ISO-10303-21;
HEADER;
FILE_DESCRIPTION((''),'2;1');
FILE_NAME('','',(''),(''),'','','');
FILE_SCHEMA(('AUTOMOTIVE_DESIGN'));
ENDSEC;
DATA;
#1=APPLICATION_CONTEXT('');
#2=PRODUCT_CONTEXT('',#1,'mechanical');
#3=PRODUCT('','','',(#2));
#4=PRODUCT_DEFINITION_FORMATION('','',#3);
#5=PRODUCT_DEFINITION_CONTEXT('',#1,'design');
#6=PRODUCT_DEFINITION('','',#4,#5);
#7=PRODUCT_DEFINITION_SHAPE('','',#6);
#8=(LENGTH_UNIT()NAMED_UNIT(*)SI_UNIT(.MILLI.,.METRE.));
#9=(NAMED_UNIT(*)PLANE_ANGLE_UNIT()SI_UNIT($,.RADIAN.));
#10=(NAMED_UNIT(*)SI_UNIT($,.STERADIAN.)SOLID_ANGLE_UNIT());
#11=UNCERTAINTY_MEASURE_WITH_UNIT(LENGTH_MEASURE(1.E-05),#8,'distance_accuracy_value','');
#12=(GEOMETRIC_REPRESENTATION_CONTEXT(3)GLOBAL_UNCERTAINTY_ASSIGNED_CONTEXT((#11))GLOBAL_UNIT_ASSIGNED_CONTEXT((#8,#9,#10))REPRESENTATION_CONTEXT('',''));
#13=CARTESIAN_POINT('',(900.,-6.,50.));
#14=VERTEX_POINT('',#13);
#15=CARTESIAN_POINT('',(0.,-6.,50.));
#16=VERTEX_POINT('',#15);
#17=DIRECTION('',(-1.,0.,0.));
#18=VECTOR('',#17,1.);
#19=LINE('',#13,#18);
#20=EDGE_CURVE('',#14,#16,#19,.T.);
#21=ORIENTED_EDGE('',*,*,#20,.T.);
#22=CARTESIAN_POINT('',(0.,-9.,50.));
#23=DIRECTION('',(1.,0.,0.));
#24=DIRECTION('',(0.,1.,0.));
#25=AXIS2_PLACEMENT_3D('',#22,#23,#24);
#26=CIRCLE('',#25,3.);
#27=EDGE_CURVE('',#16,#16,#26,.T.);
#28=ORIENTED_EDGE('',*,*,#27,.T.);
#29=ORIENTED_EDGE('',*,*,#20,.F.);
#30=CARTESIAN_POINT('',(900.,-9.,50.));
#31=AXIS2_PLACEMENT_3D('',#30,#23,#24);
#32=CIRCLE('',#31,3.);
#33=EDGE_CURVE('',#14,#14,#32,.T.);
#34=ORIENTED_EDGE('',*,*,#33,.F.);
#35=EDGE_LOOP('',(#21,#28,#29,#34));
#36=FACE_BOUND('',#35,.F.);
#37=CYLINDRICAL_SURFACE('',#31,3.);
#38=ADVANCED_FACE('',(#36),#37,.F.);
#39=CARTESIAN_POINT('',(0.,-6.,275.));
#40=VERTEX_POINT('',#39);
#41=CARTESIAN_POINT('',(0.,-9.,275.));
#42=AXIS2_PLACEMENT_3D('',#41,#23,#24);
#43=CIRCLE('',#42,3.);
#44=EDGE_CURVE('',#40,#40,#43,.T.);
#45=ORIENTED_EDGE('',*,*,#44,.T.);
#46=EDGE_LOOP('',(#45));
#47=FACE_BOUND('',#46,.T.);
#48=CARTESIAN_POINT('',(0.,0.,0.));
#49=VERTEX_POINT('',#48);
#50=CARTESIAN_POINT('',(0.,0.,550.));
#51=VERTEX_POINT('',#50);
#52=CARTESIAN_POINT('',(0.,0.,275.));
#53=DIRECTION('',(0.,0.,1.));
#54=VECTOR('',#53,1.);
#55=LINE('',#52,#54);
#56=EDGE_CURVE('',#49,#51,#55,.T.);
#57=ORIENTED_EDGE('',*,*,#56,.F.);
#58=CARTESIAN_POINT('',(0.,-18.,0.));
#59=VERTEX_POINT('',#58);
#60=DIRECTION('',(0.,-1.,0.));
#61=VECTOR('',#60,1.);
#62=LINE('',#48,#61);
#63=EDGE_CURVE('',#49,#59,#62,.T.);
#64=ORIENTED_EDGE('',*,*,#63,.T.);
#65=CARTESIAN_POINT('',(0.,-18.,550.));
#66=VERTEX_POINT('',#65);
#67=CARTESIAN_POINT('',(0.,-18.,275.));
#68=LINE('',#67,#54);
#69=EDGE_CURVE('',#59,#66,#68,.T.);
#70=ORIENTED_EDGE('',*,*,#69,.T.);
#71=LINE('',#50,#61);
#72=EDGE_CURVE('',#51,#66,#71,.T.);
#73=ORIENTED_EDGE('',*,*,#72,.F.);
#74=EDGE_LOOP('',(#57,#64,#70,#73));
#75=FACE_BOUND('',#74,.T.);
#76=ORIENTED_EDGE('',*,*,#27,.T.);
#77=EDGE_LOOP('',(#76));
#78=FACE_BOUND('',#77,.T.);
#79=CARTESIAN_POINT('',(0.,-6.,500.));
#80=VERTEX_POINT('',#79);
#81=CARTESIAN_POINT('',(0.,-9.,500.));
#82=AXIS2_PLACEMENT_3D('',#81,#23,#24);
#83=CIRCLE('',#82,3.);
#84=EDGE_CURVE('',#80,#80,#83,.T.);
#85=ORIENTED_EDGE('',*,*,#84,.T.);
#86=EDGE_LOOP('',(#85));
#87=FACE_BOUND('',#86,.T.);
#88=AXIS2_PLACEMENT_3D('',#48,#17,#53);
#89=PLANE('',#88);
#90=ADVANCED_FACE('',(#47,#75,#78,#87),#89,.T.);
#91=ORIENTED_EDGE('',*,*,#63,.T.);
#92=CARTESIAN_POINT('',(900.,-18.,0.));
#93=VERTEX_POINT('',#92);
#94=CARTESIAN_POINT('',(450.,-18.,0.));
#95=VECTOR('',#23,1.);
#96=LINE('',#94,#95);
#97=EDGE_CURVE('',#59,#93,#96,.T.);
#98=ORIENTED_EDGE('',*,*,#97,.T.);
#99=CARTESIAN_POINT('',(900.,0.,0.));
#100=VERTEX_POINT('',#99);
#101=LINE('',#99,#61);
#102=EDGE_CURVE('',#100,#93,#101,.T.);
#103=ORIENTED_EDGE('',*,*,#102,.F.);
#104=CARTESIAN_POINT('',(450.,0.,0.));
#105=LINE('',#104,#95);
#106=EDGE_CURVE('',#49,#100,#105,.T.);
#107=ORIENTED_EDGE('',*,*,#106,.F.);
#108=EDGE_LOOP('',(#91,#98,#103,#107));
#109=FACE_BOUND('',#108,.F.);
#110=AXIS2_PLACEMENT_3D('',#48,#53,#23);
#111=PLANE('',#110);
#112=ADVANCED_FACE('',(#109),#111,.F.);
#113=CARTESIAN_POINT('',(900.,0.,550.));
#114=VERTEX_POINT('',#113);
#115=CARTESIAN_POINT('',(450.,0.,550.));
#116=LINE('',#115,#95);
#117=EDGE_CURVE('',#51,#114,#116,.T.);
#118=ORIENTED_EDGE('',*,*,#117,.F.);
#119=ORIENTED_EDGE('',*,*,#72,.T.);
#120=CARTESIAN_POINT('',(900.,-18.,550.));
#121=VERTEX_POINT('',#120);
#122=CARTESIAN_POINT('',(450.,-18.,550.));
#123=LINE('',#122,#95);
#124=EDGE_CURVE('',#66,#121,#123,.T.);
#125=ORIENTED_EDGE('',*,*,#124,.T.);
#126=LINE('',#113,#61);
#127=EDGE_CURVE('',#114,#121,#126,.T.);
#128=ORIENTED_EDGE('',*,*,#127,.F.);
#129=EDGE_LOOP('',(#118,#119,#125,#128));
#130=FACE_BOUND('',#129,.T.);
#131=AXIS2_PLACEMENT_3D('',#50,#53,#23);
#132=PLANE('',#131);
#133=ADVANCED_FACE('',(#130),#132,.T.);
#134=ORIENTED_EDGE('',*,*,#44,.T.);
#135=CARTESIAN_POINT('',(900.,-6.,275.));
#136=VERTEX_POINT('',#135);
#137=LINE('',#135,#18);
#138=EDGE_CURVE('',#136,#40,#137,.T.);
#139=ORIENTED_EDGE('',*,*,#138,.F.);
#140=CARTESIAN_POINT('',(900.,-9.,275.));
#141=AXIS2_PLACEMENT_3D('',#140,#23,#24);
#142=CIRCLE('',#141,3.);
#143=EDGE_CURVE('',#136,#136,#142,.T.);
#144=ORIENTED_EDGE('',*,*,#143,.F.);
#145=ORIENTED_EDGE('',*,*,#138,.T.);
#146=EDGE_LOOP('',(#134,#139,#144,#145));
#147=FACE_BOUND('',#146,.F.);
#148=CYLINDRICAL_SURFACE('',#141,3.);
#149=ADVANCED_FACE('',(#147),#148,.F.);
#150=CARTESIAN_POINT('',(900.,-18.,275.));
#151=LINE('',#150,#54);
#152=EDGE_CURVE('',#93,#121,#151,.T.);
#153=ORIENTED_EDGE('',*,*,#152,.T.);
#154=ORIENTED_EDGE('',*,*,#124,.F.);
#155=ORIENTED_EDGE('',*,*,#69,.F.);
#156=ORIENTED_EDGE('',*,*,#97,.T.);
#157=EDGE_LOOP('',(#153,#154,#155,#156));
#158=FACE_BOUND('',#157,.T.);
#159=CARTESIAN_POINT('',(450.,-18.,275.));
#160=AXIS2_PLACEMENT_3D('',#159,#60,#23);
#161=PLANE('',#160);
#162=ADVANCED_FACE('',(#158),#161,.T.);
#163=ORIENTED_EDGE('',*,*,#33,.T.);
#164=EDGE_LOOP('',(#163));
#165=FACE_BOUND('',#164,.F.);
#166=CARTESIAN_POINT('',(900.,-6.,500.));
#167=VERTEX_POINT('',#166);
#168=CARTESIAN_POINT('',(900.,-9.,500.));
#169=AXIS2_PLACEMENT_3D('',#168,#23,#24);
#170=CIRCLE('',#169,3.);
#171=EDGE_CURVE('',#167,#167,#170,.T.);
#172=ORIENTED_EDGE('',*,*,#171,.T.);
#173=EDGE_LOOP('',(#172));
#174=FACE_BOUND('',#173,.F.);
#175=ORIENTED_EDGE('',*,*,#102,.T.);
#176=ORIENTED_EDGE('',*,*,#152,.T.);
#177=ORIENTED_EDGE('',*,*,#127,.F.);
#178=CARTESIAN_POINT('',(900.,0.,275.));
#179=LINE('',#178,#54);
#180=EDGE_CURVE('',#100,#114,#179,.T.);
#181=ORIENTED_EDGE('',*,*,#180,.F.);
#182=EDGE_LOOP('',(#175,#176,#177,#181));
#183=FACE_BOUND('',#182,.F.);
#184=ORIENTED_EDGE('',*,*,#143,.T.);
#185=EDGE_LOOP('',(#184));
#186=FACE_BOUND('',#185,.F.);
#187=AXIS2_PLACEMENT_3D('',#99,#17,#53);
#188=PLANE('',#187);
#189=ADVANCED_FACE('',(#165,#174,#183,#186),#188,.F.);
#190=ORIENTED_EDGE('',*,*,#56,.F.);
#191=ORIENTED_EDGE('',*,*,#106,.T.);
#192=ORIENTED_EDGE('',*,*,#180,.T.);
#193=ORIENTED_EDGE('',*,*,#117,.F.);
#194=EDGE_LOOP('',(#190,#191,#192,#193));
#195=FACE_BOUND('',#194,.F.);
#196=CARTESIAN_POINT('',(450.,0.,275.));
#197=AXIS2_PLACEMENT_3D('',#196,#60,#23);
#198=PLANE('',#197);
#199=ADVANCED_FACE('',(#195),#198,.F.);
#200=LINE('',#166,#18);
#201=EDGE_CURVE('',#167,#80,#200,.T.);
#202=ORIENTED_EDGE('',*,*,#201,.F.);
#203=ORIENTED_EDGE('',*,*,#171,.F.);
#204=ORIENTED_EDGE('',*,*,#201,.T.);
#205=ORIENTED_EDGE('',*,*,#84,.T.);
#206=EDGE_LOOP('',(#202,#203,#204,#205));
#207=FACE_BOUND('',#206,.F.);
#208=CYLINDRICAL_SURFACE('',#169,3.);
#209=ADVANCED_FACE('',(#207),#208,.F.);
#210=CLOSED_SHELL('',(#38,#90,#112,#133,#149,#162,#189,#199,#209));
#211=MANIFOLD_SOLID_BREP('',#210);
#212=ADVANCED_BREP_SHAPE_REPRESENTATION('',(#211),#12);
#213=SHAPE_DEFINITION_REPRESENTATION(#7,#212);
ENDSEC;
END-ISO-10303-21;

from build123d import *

# Parameters (mm, degrees)
F0_W     = 900
F0_H     = 550
F1_DEPTH = 18
F2_R     = 3
F3_DEPTH = 900.001


with BuildPart() as f1:
    # F0 (on Front) → F1 (new body)
    with BuildSketch(Plane.XZ):
        with Locations((450, 275)):
            Rectangle(F0_W, F0_H)
    extrude(amount=F1_DEPTH)

    # F2 (on face) → F3 (cut, through all)
    with BuildSketch(Plane.YZ.offset(900)):
        with Locations((-9, 50)):
            Circle(F2_R)
        with Locations((-9, 275)):
            Circle(F2_R)
        with Locations((-9, 500)):
            Circle(F2_R)
    extrude(amount=-F3_DEPTH, mode=Mode.SUBTRACT)


solid = f1.part
